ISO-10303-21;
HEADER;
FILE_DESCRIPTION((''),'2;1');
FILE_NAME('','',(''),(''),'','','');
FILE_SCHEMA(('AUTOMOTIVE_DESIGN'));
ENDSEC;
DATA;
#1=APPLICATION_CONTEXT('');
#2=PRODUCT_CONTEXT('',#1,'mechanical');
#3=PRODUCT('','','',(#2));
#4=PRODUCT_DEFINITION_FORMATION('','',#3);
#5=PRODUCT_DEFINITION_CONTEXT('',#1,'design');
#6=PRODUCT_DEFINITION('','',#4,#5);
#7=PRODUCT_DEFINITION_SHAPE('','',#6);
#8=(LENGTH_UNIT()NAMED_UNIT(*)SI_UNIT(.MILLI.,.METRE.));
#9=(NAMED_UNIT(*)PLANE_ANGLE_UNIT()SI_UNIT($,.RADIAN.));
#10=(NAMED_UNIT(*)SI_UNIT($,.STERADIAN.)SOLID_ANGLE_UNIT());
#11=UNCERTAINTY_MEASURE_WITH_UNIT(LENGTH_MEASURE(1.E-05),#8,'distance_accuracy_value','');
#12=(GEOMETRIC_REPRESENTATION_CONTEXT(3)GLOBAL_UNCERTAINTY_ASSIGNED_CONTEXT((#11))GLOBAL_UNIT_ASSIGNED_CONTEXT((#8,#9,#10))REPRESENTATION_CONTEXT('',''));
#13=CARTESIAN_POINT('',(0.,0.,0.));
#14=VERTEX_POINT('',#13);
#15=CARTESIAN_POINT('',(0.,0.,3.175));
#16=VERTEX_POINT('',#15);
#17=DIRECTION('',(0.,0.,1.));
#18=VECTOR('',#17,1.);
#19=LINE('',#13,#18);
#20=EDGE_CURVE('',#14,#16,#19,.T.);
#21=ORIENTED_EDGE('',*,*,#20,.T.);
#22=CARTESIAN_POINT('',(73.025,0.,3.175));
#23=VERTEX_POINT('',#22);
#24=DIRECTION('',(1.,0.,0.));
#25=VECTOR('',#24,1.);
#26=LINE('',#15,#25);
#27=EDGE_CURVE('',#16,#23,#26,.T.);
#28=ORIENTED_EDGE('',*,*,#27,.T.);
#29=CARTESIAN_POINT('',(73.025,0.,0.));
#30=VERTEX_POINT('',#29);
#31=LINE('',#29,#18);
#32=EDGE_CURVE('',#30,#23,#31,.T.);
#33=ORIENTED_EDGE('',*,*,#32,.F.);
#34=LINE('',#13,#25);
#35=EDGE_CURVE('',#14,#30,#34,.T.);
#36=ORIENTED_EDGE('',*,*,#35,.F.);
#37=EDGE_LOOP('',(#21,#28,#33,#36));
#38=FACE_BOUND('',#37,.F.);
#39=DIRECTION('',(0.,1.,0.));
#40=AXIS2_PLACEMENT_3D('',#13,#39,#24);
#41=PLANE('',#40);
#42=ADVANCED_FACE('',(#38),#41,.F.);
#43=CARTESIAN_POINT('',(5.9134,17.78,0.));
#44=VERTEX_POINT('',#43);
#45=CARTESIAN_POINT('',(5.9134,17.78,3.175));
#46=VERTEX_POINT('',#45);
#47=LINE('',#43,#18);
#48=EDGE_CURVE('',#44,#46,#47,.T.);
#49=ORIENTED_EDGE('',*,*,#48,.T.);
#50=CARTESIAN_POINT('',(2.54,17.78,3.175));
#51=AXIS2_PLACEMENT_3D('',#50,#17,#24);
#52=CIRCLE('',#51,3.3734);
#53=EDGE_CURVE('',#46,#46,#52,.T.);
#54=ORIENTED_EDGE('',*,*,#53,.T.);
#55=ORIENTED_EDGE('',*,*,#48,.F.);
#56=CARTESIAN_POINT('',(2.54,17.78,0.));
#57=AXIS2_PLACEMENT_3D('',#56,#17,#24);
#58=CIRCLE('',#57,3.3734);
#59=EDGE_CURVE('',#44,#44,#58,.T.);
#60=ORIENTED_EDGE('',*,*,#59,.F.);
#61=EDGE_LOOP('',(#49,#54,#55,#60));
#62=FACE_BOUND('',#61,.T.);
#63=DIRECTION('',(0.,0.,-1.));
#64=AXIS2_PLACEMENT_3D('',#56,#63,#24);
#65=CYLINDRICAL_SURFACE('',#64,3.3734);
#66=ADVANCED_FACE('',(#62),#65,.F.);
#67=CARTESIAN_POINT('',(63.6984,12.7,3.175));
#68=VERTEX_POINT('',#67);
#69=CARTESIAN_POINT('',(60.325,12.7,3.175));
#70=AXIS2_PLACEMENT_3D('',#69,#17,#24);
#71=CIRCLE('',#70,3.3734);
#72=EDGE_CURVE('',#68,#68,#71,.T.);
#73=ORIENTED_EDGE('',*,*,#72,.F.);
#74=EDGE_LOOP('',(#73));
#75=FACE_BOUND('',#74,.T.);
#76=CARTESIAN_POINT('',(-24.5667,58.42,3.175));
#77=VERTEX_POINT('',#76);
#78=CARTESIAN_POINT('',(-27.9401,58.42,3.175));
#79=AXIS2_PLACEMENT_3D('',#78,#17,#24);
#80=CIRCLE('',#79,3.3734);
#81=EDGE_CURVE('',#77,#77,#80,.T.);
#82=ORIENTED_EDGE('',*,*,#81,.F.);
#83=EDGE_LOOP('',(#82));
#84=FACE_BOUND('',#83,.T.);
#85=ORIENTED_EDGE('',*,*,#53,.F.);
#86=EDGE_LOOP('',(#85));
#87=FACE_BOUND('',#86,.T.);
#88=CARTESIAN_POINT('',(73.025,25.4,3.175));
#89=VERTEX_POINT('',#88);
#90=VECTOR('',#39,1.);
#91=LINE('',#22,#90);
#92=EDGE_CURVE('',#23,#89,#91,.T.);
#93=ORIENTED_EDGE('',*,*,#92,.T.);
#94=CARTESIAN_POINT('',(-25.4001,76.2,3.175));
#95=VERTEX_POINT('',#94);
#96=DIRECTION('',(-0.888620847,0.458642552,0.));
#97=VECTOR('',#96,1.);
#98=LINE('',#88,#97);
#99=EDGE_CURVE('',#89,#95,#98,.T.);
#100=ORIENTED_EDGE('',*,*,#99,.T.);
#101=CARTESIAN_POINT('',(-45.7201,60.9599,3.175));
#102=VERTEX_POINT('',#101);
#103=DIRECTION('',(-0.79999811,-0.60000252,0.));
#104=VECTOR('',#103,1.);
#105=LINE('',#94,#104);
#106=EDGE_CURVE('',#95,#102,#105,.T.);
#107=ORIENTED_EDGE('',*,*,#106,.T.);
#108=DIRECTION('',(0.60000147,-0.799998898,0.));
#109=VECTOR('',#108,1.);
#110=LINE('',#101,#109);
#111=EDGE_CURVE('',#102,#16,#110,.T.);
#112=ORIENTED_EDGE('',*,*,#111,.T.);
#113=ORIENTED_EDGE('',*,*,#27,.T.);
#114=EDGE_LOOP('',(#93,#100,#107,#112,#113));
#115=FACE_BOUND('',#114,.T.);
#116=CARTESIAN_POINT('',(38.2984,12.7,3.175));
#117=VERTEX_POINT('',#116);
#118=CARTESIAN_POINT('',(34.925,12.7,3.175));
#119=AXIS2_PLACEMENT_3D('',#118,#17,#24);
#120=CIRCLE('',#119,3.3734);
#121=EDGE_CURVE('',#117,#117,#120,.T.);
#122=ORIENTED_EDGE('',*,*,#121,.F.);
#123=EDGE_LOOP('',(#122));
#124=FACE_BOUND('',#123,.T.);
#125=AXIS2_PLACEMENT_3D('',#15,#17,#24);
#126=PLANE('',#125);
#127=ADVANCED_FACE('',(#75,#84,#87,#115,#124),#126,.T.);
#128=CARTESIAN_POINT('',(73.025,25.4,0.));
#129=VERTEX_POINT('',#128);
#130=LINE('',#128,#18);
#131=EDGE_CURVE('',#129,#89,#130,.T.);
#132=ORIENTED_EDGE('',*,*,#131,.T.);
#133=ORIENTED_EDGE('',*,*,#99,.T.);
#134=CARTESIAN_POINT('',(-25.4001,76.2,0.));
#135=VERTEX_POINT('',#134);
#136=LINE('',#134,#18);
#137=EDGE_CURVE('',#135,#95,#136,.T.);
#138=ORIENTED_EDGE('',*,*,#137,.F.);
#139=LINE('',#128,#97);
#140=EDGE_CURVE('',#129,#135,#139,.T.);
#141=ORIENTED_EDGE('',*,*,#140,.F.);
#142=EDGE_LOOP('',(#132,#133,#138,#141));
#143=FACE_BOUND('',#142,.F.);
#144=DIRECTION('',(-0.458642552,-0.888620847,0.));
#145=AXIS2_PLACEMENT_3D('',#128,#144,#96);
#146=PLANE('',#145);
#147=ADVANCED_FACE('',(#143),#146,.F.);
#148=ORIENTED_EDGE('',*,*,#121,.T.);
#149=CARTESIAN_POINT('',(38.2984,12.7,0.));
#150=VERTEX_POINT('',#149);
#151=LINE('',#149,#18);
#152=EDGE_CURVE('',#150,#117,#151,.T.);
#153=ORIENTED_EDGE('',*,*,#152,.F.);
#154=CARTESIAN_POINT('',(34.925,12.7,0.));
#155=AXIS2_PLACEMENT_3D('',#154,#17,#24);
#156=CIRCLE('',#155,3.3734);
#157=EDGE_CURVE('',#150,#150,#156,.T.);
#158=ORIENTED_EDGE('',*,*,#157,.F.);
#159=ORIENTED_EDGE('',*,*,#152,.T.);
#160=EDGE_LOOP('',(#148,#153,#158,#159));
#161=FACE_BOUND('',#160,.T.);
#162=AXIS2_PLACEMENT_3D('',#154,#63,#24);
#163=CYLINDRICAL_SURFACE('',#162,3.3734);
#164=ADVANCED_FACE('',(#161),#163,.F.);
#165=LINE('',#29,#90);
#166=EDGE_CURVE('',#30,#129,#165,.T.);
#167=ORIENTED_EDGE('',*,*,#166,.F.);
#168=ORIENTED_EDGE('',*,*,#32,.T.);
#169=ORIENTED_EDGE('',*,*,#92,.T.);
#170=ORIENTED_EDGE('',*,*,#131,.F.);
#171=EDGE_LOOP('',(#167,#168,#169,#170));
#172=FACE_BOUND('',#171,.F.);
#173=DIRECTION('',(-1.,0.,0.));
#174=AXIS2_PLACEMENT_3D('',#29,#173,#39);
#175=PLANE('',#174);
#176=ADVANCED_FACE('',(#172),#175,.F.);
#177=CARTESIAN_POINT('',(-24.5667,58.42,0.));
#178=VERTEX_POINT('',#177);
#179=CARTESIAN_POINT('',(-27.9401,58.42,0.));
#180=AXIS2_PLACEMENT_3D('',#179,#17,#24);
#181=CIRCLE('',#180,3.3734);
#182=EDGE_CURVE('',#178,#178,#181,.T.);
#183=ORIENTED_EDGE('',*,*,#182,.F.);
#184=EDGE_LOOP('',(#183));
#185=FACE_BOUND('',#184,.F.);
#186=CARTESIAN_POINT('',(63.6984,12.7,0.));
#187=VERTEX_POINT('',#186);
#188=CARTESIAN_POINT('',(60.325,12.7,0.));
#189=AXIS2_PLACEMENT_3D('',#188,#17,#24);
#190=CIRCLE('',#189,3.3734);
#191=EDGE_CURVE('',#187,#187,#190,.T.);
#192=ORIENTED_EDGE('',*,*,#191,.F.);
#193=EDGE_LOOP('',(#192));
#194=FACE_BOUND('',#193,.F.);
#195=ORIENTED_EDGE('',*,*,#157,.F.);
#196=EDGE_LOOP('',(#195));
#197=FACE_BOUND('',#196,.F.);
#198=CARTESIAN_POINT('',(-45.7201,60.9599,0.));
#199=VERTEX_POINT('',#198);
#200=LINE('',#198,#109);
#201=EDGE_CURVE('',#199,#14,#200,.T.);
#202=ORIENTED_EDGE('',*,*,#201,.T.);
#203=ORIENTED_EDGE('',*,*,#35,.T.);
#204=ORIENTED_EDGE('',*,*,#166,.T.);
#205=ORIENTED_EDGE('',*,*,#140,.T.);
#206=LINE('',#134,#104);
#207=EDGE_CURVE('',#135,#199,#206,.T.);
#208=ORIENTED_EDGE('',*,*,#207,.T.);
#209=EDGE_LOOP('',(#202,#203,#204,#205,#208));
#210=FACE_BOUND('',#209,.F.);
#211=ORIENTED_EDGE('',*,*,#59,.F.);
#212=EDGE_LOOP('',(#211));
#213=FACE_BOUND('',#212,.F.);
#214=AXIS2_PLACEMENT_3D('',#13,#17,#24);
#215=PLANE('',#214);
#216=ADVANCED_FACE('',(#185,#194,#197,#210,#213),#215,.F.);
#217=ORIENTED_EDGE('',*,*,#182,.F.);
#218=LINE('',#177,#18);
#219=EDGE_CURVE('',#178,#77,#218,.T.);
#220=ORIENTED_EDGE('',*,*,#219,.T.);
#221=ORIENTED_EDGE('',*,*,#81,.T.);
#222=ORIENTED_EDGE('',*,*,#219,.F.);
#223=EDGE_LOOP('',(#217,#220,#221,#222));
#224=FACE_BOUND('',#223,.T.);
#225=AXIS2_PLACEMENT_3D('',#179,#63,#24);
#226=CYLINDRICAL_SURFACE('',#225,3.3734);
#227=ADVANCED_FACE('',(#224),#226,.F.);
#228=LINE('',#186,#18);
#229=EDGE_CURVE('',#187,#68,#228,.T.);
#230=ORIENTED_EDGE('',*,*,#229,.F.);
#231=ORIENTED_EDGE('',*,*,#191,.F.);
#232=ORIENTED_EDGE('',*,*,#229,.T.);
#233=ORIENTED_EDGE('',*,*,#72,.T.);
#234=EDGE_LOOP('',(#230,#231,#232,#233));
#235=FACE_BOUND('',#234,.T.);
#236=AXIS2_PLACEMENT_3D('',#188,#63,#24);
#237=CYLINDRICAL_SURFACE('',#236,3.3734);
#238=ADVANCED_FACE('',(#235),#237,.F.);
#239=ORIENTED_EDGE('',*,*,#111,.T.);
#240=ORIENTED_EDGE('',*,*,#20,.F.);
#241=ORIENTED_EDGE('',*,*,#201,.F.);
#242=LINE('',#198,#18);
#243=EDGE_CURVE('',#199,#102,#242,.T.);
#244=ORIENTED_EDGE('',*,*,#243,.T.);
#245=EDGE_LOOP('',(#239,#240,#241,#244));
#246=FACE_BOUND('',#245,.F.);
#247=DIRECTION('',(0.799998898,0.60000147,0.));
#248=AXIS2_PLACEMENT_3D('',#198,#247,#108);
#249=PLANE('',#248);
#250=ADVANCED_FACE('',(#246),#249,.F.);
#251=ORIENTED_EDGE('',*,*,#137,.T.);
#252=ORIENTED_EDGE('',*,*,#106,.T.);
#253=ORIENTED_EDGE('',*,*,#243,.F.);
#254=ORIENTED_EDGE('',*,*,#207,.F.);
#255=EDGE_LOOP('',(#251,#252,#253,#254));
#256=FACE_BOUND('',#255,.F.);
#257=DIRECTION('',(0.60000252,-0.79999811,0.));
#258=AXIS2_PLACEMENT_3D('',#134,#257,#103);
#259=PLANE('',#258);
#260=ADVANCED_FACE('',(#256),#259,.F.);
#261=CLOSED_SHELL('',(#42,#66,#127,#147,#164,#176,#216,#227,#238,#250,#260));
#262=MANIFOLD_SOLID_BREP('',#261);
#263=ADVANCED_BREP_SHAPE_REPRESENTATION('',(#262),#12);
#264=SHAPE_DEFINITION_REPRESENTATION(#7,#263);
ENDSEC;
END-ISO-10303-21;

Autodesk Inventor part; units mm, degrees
ref_plane "YZ Plane" through (0, 0, 0) normal (1, 0, 0) x (0, 1, 0)
ref_plane "XZ Plane" through (0, 0, 0) normal (0, 1, 0) x (-1, 0, 0)
ref_plane "XY Plane" through (0, 0, 0) normal (0, 0, 1) x (1, 0, 0)
sketch "Sketch1" plane through (0, 0, 0) normal (0, 0, 1) x (1, 0, 0)
  line L0 (0, 0) -> (73.025, 0)
  line L1 (73.025, 0) -> (73.025, 25.4)
  line L2 (73.025, 25.4) -> (-25.4001, 76.2)
  line L3 (-25.4001, 76.2) -> (-45.7201, 60.9599)
  line L4 (-45.7201, 60.9599) -> (0, 0)
  circle A0 centre (60.325, 12.7) radius 3.3734
  circle A1 centre (34.925, 12.7) radius 3.3734
  circle A2 centre (2.54, 17.78) radius 3.3734
  circle A3 centre (-27.9401, 58.42) radius 3.3734
  line L5 (73.025, 12.7) -> (-9.525, 12.7) construction
  line L6 (-35.5601, 68.5799) -> (15.875, 0) construction
  line L7 (0, 0) -> (49.8292, 37.372) construction
  line L8 (20.32, 15.24) -> (12.7, 25.4) construction
  circle A4 centre (-12.7001, 38.1) radius 3.3734
  dimension "d0" = 73.025
  dimension "d1" = 25.4
  dimension "d2" = 25.4
  dimension "d3" = 76.2
  dimension "d4" = 126.87
  dimension "d5" = 6.7469
  dimension "d6" = 25.4
  dimension "d7" = 12.7
  dimension "d8" = 12.7
  dimension "d12" = 12.7
  dimension "d13" = 25.4
  dimension "d14" = 12.7
  dimension "d15" = 38.1
extrude "Extrusion1" add sketch "Sketch1" along normal blind 3.175 contours L4 L3 L2 L1 L0 | A4
properties part number "angle gusset plate"
